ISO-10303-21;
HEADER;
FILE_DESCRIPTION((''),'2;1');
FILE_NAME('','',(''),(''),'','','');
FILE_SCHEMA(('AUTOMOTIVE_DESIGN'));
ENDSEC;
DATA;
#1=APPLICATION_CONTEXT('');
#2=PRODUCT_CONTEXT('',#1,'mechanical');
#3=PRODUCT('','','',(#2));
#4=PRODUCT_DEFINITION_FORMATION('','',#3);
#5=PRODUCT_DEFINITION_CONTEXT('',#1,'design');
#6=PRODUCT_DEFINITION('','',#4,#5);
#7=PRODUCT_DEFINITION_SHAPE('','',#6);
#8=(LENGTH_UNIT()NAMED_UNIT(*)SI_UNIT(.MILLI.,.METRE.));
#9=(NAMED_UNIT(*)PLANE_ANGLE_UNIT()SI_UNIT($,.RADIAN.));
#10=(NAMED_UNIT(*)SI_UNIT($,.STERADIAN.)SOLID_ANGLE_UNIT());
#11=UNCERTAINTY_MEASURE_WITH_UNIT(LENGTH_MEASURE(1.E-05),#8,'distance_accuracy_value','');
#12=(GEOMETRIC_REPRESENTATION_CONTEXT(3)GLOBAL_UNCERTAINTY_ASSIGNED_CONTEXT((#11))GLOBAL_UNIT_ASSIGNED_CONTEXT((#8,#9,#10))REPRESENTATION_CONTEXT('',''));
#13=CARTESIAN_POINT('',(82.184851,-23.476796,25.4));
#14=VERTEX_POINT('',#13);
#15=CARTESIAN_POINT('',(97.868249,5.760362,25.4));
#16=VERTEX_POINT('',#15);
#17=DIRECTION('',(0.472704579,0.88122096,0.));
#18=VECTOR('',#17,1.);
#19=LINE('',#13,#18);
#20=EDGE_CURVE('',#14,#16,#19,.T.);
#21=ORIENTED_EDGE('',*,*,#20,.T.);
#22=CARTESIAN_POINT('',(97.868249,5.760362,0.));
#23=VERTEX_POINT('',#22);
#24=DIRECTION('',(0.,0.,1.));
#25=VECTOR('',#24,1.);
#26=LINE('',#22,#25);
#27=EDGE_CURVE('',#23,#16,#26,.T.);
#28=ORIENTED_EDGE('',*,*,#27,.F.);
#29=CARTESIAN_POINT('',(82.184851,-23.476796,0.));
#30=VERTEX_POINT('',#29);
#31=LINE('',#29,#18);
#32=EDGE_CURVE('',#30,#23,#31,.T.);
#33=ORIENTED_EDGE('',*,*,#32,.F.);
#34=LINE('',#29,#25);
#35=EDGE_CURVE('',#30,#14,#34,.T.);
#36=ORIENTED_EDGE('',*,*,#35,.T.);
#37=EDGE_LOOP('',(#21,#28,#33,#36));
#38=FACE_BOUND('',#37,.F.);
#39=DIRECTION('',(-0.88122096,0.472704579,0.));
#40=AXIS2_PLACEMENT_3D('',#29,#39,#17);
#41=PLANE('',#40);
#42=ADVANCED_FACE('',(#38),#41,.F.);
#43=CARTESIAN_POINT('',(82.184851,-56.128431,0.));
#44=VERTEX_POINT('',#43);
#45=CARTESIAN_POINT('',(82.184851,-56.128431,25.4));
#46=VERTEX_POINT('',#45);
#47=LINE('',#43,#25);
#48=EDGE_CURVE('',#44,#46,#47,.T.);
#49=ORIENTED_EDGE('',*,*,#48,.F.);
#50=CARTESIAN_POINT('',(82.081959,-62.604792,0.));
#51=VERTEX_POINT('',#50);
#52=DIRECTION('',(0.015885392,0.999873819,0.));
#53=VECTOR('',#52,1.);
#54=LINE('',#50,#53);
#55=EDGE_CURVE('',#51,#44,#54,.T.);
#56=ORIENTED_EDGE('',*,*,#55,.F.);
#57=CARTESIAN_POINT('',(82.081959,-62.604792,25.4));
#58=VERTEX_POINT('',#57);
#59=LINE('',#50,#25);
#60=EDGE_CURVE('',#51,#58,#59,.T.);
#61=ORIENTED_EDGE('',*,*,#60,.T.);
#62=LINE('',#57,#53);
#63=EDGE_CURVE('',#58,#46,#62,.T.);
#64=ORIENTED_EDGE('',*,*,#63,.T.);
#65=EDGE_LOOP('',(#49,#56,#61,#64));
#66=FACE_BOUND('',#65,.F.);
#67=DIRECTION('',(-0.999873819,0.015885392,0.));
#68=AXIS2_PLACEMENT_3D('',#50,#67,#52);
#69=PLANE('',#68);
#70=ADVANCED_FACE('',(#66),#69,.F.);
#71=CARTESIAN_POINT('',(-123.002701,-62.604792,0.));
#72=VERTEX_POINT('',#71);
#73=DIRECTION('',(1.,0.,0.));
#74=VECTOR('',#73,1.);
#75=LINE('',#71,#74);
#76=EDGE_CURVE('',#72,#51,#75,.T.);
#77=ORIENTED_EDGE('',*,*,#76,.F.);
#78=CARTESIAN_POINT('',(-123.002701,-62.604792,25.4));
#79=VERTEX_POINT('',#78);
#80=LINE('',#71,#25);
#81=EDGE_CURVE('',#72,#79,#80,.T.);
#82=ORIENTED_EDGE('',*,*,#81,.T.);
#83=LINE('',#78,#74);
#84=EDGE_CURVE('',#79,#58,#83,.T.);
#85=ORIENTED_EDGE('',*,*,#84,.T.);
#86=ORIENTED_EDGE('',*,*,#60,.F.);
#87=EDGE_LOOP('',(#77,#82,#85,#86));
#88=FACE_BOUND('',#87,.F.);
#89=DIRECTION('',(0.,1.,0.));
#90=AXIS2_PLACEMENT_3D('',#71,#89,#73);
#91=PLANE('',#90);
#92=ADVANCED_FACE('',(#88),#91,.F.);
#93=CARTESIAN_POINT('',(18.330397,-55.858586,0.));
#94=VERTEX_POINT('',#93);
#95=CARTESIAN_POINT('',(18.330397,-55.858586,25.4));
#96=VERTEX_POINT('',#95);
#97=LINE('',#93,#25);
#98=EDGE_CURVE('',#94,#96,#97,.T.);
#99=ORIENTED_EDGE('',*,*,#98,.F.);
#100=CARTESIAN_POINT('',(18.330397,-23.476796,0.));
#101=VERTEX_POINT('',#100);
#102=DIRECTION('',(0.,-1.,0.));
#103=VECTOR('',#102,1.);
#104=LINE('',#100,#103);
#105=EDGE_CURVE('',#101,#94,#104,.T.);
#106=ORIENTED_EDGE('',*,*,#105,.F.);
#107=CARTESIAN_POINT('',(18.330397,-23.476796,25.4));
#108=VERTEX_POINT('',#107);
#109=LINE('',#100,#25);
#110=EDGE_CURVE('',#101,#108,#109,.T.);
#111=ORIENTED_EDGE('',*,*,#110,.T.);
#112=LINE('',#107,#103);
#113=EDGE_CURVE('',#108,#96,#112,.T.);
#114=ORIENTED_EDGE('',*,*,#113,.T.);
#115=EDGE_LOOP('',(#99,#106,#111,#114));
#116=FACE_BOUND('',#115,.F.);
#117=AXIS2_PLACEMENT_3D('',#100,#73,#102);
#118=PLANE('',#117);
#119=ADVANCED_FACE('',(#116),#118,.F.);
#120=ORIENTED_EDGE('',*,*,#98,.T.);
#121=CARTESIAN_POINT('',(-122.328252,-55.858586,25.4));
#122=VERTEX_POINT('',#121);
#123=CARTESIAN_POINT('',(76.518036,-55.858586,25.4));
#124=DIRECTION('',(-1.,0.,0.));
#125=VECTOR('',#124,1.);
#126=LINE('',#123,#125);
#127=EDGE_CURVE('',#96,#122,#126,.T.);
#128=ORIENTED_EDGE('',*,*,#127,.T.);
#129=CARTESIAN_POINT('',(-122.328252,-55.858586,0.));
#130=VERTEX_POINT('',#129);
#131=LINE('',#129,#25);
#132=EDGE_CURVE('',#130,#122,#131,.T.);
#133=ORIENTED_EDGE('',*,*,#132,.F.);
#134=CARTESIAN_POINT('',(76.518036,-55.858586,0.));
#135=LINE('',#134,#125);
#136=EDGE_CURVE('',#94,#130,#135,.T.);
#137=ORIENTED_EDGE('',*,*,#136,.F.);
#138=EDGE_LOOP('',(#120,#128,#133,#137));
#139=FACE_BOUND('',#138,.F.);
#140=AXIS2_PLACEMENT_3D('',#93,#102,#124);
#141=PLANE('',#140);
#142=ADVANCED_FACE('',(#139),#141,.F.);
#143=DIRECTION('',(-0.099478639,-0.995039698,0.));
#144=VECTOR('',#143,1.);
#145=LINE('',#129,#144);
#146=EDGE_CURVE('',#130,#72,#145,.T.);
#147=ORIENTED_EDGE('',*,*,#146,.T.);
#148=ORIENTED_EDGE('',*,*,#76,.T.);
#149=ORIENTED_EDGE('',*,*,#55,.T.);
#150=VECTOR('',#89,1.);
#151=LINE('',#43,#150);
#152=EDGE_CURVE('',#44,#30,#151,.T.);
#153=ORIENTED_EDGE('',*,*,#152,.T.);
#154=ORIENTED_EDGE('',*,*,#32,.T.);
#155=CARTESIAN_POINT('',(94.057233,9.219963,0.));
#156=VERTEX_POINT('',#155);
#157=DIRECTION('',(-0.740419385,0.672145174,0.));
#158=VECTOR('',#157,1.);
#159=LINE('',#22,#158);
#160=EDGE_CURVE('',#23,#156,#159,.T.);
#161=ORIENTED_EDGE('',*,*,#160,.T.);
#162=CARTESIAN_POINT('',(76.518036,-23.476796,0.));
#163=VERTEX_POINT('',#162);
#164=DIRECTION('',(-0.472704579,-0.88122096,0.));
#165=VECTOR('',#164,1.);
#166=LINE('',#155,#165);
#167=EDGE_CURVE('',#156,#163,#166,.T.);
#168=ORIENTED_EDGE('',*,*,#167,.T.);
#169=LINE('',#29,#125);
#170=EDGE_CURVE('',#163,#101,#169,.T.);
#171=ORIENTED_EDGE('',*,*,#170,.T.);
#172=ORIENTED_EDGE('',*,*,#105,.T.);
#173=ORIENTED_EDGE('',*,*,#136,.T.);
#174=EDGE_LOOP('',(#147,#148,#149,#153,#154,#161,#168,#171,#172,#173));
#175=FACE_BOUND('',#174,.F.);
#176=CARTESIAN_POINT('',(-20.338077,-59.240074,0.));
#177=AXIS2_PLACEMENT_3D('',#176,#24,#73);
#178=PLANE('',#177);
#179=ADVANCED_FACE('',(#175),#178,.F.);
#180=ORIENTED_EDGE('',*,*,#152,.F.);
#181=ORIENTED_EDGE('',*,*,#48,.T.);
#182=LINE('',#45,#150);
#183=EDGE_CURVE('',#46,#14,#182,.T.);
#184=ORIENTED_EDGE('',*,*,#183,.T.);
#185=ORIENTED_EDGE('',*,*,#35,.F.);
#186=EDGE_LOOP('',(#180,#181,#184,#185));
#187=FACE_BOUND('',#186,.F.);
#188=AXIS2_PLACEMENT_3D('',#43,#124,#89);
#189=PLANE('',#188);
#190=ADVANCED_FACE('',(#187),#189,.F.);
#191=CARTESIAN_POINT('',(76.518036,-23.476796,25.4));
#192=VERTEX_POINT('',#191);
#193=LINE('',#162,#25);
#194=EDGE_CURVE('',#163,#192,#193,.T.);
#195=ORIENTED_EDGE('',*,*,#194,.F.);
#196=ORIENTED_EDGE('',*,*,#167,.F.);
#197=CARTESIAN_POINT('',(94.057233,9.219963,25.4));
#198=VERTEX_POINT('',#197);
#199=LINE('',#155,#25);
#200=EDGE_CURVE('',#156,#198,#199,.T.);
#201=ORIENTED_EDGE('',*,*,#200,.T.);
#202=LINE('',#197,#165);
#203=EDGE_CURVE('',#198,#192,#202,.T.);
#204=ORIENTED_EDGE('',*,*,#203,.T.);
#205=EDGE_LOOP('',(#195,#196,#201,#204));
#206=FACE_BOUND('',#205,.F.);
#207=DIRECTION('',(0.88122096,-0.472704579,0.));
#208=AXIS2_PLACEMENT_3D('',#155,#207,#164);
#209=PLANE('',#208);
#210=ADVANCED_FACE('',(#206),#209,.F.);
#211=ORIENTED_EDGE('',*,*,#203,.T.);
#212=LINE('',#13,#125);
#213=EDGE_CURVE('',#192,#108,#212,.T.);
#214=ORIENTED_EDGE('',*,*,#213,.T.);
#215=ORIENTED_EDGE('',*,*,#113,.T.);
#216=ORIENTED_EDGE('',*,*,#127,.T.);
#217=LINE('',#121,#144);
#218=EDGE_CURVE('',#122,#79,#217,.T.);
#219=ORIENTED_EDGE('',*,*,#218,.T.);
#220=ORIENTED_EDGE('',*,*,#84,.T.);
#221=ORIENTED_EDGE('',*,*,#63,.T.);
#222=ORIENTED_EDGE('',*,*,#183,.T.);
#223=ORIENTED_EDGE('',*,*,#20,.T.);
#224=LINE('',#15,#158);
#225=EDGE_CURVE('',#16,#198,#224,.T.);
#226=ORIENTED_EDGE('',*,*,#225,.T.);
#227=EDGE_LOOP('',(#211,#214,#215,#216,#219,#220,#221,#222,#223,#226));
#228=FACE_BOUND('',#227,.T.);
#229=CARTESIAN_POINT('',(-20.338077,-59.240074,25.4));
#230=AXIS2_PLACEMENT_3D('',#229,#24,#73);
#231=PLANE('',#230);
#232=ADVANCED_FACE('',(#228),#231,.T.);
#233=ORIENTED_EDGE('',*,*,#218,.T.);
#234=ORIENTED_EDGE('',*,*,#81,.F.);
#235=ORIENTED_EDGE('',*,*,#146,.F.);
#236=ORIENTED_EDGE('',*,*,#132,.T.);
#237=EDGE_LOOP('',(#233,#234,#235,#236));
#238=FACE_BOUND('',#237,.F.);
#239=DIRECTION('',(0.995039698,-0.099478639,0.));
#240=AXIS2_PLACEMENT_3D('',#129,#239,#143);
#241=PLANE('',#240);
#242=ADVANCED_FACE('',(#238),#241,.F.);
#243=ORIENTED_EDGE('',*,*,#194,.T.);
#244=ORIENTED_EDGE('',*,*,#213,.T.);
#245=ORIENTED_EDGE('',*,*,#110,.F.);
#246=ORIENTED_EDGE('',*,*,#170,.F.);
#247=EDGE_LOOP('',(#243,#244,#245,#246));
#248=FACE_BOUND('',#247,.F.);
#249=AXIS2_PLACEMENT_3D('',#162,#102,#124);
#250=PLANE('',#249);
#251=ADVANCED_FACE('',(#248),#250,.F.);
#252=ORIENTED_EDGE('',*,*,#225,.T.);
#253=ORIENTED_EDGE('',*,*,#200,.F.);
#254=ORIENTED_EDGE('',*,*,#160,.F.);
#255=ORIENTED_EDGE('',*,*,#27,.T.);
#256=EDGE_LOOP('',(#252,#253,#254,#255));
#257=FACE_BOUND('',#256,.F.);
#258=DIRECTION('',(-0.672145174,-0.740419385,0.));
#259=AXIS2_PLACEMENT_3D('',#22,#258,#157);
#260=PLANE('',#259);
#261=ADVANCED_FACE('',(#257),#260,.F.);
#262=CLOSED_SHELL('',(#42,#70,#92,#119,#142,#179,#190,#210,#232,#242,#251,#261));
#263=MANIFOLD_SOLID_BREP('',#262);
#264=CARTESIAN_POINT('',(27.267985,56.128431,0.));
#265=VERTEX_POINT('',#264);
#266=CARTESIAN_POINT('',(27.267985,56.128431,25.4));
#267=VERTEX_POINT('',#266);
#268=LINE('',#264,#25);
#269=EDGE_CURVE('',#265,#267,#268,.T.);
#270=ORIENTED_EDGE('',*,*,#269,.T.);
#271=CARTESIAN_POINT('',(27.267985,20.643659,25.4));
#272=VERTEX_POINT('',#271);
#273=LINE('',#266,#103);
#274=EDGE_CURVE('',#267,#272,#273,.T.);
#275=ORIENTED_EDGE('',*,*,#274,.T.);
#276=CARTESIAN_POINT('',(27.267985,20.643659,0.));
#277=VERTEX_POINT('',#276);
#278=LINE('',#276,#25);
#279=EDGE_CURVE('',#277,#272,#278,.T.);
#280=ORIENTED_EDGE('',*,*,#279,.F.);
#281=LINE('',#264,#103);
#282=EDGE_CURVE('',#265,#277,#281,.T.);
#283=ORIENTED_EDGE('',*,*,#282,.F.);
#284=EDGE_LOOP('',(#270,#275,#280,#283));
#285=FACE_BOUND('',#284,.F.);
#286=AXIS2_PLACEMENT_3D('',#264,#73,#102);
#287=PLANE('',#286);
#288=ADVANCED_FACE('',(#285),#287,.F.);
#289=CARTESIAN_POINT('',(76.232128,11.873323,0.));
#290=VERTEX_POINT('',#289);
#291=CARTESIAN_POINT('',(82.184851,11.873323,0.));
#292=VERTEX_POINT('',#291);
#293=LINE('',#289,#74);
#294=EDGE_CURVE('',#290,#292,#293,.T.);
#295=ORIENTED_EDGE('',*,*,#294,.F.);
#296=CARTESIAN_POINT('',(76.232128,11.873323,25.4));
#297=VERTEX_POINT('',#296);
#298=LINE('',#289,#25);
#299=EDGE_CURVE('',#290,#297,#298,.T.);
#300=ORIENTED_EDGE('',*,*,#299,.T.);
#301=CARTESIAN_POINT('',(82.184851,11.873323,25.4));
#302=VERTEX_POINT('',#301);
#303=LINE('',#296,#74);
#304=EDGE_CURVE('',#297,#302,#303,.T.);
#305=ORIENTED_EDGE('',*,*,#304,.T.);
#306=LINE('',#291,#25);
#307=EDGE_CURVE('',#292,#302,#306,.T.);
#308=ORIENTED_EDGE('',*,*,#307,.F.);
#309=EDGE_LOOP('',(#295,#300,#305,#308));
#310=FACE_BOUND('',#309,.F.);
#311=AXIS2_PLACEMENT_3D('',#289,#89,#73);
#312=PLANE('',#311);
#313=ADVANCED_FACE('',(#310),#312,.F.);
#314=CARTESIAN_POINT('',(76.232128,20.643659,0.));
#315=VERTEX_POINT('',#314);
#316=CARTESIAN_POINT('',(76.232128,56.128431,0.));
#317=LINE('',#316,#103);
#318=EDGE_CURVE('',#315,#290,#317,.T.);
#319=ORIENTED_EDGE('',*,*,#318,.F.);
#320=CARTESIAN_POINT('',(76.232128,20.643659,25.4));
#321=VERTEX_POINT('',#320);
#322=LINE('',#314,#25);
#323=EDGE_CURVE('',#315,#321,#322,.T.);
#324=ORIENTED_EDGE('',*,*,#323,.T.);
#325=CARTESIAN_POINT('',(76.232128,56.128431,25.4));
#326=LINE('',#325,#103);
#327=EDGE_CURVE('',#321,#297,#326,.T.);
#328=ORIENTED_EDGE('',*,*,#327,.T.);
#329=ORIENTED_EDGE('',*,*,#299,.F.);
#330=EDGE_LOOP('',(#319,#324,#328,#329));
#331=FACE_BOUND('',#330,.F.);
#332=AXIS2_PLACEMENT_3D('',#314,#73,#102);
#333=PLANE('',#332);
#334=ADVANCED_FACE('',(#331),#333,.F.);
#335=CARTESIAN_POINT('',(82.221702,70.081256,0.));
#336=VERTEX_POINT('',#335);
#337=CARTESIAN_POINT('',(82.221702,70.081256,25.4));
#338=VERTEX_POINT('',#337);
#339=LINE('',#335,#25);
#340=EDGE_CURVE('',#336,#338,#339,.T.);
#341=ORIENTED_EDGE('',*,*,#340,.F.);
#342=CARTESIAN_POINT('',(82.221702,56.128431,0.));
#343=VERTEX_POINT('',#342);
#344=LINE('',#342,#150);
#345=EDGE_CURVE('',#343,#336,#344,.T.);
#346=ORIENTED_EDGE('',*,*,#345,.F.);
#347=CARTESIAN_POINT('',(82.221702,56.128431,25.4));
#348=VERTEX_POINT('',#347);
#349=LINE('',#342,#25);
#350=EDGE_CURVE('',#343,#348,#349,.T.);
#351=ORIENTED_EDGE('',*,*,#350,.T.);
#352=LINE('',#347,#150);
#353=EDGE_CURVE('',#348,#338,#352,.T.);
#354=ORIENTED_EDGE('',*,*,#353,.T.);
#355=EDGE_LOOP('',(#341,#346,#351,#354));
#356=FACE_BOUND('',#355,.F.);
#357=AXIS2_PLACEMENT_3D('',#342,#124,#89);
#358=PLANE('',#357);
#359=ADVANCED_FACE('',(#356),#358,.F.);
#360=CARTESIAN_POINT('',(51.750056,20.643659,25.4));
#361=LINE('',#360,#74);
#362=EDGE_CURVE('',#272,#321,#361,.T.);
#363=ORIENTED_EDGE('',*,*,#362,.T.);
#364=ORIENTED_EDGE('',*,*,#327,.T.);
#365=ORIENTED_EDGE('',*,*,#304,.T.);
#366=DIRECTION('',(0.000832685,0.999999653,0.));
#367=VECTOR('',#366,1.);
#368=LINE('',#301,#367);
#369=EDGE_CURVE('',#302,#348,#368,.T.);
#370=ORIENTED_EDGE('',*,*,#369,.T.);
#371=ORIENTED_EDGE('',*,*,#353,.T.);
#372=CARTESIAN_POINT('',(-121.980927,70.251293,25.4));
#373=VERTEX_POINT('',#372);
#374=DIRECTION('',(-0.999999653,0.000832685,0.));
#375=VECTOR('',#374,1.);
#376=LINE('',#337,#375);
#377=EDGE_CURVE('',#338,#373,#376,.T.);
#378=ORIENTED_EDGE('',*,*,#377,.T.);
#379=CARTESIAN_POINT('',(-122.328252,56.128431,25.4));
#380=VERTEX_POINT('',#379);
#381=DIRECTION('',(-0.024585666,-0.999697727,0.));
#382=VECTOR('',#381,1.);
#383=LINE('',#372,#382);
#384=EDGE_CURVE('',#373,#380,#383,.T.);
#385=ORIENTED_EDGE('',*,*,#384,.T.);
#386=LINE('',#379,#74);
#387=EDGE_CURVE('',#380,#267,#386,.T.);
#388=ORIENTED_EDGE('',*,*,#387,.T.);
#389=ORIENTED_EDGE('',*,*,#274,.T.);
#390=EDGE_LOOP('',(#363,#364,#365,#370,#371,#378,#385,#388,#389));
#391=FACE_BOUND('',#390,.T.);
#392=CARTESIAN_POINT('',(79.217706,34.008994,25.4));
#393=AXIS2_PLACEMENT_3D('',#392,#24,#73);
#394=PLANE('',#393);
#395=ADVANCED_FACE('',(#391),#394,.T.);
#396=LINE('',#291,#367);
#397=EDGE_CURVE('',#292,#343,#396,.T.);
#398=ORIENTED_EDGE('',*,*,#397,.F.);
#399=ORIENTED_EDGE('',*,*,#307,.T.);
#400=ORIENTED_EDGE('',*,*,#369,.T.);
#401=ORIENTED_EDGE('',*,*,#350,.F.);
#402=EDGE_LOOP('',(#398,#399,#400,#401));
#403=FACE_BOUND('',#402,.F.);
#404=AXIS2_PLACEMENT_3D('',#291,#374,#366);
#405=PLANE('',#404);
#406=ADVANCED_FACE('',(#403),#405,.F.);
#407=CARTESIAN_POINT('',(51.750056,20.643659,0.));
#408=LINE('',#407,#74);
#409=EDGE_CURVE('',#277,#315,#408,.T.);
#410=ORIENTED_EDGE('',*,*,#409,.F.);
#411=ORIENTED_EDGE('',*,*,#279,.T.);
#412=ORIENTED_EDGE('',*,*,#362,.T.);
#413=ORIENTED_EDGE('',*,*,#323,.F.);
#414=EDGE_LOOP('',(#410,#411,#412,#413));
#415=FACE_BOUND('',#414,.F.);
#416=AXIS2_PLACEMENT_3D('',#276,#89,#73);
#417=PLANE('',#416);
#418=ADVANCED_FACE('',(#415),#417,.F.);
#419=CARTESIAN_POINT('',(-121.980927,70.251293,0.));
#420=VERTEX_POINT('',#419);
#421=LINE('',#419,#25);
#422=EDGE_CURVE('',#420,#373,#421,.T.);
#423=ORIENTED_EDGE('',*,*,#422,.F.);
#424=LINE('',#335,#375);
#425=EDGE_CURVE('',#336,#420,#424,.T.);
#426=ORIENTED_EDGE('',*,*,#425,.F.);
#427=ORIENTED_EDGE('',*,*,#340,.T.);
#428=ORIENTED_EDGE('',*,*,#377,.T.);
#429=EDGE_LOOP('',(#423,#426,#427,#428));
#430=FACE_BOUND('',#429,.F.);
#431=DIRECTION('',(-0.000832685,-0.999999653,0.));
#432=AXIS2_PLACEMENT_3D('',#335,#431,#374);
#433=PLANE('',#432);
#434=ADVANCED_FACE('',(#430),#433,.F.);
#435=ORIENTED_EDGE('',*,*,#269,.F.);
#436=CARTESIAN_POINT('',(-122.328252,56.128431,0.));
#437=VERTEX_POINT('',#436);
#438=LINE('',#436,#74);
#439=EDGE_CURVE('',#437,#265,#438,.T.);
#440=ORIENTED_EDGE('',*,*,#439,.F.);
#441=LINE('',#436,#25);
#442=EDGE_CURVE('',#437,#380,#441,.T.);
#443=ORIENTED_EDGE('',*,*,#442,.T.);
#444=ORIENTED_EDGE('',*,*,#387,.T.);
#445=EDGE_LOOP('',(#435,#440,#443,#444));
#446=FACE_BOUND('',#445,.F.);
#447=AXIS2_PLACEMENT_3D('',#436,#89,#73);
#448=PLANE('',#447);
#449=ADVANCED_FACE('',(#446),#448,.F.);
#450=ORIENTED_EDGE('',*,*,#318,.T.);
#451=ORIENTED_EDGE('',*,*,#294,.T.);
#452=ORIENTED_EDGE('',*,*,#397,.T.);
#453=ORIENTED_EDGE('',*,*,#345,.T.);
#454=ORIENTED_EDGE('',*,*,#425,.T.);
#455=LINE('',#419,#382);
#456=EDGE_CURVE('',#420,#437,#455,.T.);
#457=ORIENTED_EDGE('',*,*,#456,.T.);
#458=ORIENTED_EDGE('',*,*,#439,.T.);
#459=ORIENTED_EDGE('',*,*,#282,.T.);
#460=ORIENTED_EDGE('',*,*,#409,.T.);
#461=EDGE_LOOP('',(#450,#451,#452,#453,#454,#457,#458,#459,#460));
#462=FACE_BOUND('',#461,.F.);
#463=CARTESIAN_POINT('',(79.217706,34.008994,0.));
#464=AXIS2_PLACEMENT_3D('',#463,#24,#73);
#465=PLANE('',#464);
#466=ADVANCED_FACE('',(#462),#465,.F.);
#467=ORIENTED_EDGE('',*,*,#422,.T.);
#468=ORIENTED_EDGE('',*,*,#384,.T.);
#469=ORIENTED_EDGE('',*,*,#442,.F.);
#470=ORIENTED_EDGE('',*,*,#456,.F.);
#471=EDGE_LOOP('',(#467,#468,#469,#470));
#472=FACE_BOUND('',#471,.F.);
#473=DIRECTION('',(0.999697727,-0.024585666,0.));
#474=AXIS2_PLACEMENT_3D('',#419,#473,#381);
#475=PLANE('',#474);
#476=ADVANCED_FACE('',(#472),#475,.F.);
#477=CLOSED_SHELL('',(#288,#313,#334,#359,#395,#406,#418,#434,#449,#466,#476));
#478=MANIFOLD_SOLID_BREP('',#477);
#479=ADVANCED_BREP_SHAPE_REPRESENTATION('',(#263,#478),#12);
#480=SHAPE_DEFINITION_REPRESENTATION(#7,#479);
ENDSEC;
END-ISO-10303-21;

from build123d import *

# Parameters (mm, degrees)
F0_W     = 48.9641427994
F0_H     = 5.7181753218
F0_H_2   = 29.7665968537
F1_DEPTH = 25.4


with BuildPart() as f1:
    # F0 (on Top) → F1 (new body)
    with BuildSketch(Plane.XY):
        Polygon((82.2217017412, 56.1284311116), (76.2321278453, 56.1284311116), (76.2321278453, 50.4102557898), (76.2321278453, 20.643658936), (76.2321278453, 11.873322539), (82.1848511696, 11.873322539), align=None)
        Polygon((27.2679850459, 56.1284311116), (76.2321278453, 56.1284311116), (82.2217017412, 56.1284311116), (82.2217017412, 70.08125633), (-121.9809266551, 70.2512928259), (-122.3282516003, 56.1284311116), (18.3303970844, 56.1284311116), align=None)
        with Locations((51.7500564456, 53.2693434507)):
            Rectangle(F0_W, F0_H)
        with Locations((51.7500564456, 35.5269573629)):
            Rectangle(F0_W, F0_H_2)
    extrude(amount=F1_DEPTH)


with BuildPart() as f1b:
    # F0 (on Top) → F1, piece 2 (new body)
    with BuildSketch(Plane.XY):
        Polygon((18.3303970844, -55.8585859835), (-122.3282516003, -55.8585859835), (-123.0027005076, -62.6047924161), (82.0819586515, -62.6047924161), (82.1848511696, -56.1284311116), (76.5180364251, -55.8585859835), (27.2679850459, -55.8585859835), align=None)
        Polygon((18.3303970844, -23.4767962247), (18.3303970844, -55.8585859835), (27.2679850459, -55.8585859835), (27.2679850459, -38.5079085827), (27.2679850459, -23.4767962247), align=None)
        Polygon((27.2679850459, -38.5079085827), (27.2679850459, -55.8585859835), (76.5180364251, -55.8585859835), (76.5180364251, -23.4767962247), (27.2679850459, -23.4767962247), align=None)
        Polygon((76.5180364251, -23.4767962247), (76.5180364251, -55.8585859835), (82.1848511696, -56.1284311116), (82.1848511696, -23.4767962247), align=None)
        Polygon((94.0572333674, 9.2199633728), (76.5180364251, -23.4767962247), (82.1848511696, -23.4767962247), (97.8682488203, 5.7603623718), align=None)
    extrude(amount=F1_DEPTH)


solid = Compound([f1.part, f1b.part])
